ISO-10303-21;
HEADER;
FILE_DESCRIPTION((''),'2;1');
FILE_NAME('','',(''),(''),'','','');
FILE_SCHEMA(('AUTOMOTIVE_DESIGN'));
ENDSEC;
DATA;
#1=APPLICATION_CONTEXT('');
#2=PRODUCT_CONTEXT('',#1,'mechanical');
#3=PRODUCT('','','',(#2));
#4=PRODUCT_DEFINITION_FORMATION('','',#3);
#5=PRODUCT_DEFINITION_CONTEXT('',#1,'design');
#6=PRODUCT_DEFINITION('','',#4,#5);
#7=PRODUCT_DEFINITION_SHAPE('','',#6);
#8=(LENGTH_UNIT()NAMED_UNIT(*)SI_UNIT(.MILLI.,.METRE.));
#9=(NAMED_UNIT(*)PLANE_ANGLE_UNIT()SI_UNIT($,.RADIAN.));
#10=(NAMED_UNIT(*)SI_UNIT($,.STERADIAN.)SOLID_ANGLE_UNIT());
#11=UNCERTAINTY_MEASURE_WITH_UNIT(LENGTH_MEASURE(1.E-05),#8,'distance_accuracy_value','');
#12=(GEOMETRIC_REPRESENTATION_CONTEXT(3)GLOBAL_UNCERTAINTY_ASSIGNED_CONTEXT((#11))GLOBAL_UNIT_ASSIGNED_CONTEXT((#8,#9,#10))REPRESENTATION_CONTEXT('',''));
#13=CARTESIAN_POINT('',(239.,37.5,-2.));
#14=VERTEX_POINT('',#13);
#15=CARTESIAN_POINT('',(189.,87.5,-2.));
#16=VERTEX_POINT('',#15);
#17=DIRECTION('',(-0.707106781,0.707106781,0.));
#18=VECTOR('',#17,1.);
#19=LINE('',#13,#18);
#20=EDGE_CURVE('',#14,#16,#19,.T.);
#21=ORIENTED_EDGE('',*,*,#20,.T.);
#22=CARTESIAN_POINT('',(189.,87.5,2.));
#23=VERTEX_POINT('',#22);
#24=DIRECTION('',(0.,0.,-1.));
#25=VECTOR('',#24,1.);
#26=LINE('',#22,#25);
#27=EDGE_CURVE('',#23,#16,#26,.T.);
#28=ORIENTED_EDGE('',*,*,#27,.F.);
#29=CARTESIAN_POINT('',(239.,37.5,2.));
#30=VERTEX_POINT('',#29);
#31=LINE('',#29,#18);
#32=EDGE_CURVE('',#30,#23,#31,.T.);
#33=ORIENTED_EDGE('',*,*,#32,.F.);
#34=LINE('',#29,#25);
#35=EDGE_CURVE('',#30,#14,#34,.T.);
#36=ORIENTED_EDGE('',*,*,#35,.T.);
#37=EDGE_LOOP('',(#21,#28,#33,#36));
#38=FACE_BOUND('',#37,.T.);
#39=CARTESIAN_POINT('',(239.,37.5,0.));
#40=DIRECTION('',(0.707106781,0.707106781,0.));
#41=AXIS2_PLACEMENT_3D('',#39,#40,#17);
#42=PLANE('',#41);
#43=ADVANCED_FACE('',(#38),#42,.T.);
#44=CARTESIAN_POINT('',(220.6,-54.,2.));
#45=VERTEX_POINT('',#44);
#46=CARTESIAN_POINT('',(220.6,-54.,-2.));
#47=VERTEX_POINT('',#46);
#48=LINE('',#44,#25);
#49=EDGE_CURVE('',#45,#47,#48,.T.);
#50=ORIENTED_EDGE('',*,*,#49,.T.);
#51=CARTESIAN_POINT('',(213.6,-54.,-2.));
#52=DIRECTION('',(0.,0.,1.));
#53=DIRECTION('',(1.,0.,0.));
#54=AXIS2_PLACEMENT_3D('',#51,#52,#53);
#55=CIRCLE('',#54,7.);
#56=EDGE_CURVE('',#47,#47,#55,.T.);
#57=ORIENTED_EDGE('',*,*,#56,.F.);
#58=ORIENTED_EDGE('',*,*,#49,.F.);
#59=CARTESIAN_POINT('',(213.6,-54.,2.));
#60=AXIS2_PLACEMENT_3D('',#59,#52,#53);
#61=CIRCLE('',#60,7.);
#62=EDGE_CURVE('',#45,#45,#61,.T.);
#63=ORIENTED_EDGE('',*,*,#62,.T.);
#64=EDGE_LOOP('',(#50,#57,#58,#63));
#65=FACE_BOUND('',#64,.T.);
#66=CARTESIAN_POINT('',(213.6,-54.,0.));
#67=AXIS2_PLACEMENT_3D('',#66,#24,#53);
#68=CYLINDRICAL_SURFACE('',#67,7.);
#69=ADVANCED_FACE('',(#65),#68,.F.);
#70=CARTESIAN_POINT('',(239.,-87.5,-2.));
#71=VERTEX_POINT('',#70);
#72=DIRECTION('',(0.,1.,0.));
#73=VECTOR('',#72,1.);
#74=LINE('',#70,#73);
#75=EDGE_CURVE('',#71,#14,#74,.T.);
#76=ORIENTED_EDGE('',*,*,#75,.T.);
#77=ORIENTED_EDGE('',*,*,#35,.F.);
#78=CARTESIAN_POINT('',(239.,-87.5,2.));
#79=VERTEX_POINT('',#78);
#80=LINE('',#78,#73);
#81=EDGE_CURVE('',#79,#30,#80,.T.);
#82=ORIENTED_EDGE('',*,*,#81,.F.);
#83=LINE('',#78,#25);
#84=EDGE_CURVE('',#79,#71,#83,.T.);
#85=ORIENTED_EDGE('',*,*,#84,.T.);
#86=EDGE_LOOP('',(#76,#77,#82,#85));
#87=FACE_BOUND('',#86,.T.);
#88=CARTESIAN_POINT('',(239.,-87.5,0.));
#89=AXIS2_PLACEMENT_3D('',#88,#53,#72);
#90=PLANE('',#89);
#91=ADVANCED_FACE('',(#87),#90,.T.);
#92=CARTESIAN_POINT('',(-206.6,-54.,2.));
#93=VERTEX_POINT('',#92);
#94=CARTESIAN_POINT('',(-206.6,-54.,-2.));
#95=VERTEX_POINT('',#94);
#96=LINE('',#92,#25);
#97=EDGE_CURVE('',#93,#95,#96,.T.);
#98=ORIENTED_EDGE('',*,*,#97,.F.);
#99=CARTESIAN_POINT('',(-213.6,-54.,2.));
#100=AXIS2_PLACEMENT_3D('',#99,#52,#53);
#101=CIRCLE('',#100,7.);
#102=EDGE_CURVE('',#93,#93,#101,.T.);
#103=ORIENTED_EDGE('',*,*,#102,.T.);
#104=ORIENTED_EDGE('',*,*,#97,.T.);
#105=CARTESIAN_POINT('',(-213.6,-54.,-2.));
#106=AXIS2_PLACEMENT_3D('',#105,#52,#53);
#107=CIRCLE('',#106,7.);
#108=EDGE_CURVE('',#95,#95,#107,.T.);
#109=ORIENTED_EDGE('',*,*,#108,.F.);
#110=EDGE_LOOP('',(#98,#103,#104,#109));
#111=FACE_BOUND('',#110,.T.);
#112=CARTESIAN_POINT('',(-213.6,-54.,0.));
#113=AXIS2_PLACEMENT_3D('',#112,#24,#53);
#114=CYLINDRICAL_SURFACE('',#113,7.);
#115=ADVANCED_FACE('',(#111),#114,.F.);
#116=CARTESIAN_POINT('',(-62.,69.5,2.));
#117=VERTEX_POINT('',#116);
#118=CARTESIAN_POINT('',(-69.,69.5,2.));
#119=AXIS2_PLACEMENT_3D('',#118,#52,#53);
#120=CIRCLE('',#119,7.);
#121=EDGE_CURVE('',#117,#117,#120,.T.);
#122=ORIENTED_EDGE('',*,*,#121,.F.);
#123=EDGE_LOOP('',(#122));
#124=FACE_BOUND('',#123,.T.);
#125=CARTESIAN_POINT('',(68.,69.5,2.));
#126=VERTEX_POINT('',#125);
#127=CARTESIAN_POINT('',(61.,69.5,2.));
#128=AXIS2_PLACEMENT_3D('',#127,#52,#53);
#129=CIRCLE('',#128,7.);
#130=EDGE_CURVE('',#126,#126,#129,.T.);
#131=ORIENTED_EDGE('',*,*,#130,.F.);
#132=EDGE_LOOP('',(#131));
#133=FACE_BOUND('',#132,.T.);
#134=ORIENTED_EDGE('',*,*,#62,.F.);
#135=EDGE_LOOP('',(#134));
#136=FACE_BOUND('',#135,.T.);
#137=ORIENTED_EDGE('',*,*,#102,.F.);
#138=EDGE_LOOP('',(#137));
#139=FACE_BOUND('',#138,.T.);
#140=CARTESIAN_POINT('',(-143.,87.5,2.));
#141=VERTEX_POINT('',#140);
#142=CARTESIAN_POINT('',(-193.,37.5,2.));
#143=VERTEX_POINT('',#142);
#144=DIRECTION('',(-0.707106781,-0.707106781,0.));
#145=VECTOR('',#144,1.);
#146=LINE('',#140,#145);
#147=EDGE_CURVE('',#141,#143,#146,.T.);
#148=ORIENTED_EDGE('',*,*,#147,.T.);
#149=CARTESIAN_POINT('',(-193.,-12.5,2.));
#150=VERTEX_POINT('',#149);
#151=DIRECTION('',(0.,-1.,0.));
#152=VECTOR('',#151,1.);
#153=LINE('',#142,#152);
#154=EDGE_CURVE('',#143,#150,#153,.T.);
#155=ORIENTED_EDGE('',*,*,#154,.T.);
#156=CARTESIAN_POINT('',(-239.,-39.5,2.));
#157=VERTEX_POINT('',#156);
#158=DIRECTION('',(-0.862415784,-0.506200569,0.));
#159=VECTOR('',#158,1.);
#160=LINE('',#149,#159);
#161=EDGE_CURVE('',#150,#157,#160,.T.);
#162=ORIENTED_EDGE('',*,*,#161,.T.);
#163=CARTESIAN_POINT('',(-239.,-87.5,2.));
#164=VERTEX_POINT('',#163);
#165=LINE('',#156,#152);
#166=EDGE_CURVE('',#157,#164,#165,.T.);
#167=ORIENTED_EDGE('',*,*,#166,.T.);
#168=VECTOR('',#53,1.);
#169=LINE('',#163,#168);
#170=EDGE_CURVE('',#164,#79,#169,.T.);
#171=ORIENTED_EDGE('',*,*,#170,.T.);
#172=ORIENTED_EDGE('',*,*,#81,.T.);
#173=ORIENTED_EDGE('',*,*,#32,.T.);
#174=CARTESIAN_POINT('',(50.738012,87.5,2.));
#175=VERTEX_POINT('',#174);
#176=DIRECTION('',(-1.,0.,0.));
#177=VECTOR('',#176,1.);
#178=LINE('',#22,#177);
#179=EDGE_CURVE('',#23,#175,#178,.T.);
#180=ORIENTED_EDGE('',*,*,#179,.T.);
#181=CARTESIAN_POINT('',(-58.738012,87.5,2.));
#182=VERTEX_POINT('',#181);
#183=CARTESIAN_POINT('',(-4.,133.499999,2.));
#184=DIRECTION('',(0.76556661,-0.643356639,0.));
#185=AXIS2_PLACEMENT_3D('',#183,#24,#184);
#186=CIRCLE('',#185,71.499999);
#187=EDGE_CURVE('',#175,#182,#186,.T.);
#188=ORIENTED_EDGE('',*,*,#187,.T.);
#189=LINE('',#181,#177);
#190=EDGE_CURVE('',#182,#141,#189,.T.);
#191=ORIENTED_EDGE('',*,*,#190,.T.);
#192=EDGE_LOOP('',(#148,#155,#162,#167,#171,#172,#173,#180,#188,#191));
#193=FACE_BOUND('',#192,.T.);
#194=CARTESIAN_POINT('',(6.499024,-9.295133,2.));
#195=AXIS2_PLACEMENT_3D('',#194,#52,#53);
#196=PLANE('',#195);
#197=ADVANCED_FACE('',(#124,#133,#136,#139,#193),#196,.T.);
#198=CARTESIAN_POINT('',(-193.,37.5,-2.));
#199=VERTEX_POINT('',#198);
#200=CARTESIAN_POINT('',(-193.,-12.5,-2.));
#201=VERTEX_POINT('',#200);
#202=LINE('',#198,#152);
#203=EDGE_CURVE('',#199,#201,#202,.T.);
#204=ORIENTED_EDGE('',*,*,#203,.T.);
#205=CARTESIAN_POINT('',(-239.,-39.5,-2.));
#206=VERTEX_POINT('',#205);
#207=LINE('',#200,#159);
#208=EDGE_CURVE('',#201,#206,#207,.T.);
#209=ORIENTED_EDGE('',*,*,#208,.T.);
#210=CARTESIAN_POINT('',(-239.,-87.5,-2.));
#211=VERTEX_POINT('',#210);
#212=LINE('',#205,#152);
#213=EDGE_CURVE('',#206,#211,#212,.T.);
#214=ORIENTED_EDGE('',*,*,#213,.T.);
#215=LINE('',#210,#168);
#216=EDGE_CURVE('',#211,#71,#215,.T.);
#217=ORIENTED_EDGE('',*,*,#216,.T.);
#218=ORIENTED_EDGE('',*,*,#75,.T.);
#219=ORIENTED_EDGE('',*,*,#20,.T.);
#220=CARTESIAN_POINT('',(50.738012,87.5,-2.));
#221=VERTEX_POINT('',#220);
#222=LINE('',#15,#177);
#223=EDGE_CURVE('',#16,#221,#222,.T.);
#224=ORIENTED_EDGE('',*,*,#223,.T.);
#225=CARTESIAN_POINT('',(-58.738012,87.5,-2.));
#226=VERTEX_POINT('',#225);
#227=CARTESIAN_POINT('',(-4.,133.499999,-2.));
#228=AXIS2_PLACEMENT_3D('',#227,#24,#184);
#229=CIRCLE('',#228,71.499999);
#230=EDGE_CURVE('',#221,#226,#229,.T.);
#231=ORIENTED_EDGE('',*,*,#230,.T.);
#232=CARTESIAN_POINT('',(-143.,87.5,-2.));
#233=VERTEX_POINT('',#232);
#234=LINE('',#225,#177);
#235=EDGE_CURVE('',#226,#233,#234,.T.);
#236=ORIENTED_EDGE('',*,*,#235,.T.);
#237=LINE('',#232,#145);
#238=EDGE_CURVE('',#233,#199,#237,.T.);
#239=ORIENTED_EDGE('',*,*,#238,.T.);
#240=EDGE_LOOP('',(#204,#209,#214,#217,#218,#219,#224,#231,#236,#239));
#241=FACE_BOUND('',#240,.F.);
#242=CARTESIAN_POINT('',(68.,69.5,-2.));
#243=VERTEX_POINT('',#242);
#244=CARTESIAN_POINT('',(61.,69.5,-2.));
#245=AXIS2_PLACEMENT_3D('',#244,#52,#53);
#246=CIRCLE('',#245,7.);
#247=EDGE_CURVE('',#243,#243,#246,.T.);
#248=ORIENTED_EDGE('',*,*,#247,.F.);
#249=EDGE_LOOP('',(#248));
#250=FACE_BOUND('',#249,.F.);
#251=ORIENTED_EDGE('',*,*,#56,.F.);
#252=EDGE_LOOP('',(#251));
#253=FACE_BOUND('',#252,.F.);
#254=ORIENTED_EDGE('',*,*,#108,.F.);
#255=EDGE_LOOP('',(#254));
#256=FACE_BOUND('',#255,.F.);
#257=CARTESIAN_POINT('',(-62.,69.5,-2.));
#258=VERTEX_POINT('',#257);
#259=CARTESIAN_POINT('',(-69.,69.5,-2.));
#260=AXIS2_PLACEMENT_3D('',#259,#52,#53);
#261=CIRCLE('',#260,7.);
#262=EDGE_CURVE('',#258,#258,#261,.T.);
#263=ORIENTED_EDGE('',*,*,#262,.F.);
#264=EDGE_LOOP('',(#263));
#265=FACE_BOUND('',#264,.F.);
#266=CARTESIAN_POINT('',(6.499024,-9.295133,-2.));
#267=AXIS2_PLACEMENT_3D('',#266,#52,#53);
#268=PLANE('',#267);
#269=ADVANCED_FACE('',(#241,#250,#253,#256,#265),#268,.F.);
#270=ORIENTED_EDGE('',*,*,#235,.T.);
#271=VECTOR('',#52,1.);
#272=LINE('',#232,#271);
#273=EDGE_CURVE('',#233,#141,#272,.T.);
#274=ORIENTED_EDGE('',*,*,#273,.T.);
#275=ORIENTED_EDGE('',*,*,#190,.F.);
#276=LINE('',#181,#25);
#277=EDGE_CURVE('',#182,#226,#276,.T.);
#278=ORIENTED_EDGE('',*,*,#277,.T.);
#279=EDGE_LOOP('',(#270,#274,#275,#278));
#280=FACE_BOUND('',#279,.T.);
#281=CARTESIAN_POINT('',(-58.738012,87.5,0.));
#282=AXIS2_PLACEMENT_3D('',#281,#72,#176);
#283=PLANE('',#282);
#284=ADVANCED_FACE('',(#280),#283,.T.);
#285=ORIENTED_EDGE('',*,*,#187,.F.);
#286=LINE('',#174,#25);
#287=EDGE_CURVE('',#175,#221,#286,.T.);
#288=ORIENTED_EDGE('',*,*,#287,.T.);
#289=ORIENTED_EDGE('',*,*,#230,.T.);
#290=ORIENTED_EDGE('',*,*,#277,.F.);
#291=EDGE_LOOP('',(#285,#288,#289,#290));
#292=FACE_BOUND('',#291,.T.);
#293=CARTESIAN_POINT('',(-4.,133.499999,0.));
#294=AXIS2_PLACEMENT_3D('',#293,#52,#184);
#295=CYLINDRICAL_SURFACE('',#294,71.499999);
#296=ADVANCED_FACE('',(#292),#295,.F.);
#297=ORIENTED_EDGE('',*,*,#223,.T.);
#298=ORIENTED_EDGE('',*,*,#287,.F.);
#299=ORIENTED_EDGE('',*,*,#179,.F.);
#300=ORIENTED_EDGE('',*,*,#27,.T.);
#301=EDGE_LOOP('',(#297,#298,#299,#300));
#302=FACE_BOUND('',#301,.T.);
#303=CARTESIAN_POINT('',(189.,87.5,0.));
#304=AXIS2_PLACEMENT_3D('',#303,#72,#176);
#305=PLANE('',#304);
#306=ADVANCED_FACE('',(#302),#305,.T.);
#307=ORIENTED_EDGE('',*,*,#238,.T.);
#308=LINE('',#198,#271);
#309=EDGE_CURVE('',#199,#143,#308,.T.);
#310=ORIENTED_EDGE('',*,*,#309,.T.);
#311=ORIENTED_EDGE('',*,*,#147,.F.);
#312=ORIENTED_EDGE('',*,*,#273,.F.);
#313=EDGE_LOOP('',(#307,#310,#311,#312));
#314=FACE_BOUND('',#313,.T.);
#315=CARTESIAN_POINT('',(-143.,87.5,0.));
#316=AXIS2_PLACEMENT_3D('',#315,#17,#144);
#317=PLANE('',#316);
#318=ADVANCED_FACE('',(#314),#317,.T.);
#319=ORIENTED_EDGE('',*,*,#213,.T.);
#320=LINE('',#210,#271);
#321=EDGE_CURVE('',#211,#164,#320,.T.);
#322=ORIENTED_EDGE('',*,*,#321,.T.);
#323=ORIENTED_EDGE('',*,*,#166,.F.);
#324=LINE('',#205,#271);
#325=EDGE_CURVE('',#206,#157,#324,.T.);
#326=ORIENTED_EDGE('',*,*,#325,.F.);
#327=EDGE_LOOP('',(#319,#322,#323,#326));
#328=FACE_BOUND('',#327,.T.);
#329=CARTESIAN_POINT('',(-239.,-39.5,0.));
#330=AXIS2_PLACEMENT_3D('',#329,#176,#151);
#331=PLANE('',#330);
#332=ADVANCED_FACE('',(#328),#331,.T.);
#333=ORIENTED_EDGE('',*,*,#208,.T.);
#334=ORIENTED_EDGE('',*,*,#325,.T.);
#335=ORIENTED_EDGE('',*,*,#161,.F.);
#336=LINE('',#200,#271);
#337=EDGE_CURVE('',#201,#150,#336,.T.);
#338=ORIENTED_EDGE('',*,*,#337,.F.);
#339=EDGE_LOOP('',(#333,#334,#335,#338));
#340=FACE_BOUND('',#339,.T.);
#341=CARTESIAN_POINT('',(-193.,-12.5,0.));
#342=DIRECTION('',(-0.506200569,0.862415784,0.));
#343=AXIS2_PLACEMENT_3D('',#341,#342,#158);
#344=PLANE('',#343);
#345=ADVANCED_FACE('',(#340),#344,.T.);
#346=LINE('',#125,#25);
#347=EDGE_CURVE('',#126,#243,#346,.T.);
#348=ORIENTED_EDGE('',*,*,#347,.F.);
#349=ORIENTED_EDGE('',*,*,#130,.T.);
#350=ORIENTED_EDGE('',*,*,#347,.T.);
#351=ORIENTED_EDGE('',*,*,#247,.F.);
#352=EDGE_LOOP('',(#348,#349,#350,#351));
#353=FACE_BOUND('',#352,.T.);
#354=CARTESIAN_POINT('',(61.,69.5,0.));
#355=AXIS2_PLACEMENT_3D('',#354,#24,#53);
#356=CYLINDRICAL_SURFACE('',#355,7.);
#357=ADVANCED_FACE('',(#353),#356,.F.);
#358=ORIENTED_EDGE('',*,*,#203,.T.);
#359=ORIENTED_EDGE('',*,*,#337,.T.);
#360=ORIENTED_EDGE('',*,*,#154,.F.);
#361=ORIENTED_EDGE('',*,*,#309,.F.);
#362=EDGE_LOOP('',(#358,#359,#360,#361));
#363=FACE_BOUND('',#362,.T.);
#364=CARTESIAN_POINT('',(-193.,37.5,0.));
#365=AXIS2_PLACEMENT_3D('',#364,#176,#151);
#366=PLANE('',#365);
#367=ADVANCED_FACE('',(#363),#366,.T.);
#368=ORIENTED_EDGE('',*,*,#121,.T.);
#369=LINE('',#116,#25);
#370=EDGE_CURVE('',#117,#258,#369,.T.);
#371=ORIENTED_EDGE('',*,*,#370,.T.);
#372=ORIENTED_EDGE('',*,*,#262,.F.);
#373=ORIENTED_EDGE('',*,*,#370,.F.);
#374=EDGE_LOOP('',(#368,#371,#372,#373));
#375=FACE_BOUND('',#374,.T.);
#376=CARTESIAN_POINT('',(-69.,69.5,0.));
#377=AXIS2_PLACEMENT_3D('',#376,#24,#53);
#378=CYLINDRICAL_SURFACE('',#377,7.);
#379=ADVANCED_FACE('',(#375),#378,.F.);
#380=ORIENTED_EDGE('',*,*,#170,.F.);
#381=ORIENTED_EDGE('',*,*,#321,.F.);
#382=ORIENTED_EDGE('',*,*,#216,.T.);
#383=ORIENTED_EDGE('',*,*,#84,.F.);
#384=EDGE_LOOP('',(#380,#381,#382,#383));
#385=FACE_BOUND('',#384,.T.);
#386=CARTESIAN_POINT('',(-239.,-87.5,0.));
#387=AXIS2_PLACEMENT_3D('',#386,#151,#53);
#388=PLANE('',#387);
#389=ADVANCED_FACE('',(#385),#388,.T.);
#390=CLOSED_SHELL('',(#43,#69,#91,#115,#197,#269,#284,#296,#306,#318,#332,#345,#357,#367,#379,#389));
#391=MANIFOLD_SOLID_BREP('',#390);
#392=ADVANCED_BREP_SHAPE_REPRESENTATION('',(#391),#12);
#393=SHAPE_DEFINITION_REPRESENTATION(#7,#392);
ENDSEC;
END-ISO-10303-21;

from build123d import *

# Parameters (mm, degrees)
F0_R     = 7
F1_DEPTH = 2


with BuildPart() as f1:
    # F0 (on Top) → F1 (new body, symmetric)
    with BuildSketch(Plane.XY):
        with BuildLine():
            Line((-58.738012, 87.5), (-143, 87.5))
            Line((-143, 87.5), (-193, 37.5))
            Line((-193, 37.5), (-193, -12.5))
            Line((-193, -12.5), (-239, -39.5))
            Line((-239, -39.5), (-239, -87.5))
            Line((-239, -87.5), (239, -87.5))
            Line((239, -87.5), (239, 37.5))
            Line((239, 37.5), (189, 87.5))
            Line((189, 87.5), (50.738012, 87.5))
            ThreePointArc((50.738012, 87.5), (-4, 62), (-58.738012, 87.5))
        make_face()
        with Locations((-213.6, -54)):
            Circle(F0_R, mode=Mode.SUBTRACT)
        with Locations((213.6, -54)):
            Circle(F0_R, mode=Mode.SUBTRACT)
        with Locations((-69, 69.5)):
            Circle(F0_R, mode=Mode.SUBTRACT)
        with Locations((61, 69.5)):
            Circle(F0_R, mode=Mode.SUBTRACT)
    extrude(amount=F1_DEPTH, both=True)


solid = f1.part
